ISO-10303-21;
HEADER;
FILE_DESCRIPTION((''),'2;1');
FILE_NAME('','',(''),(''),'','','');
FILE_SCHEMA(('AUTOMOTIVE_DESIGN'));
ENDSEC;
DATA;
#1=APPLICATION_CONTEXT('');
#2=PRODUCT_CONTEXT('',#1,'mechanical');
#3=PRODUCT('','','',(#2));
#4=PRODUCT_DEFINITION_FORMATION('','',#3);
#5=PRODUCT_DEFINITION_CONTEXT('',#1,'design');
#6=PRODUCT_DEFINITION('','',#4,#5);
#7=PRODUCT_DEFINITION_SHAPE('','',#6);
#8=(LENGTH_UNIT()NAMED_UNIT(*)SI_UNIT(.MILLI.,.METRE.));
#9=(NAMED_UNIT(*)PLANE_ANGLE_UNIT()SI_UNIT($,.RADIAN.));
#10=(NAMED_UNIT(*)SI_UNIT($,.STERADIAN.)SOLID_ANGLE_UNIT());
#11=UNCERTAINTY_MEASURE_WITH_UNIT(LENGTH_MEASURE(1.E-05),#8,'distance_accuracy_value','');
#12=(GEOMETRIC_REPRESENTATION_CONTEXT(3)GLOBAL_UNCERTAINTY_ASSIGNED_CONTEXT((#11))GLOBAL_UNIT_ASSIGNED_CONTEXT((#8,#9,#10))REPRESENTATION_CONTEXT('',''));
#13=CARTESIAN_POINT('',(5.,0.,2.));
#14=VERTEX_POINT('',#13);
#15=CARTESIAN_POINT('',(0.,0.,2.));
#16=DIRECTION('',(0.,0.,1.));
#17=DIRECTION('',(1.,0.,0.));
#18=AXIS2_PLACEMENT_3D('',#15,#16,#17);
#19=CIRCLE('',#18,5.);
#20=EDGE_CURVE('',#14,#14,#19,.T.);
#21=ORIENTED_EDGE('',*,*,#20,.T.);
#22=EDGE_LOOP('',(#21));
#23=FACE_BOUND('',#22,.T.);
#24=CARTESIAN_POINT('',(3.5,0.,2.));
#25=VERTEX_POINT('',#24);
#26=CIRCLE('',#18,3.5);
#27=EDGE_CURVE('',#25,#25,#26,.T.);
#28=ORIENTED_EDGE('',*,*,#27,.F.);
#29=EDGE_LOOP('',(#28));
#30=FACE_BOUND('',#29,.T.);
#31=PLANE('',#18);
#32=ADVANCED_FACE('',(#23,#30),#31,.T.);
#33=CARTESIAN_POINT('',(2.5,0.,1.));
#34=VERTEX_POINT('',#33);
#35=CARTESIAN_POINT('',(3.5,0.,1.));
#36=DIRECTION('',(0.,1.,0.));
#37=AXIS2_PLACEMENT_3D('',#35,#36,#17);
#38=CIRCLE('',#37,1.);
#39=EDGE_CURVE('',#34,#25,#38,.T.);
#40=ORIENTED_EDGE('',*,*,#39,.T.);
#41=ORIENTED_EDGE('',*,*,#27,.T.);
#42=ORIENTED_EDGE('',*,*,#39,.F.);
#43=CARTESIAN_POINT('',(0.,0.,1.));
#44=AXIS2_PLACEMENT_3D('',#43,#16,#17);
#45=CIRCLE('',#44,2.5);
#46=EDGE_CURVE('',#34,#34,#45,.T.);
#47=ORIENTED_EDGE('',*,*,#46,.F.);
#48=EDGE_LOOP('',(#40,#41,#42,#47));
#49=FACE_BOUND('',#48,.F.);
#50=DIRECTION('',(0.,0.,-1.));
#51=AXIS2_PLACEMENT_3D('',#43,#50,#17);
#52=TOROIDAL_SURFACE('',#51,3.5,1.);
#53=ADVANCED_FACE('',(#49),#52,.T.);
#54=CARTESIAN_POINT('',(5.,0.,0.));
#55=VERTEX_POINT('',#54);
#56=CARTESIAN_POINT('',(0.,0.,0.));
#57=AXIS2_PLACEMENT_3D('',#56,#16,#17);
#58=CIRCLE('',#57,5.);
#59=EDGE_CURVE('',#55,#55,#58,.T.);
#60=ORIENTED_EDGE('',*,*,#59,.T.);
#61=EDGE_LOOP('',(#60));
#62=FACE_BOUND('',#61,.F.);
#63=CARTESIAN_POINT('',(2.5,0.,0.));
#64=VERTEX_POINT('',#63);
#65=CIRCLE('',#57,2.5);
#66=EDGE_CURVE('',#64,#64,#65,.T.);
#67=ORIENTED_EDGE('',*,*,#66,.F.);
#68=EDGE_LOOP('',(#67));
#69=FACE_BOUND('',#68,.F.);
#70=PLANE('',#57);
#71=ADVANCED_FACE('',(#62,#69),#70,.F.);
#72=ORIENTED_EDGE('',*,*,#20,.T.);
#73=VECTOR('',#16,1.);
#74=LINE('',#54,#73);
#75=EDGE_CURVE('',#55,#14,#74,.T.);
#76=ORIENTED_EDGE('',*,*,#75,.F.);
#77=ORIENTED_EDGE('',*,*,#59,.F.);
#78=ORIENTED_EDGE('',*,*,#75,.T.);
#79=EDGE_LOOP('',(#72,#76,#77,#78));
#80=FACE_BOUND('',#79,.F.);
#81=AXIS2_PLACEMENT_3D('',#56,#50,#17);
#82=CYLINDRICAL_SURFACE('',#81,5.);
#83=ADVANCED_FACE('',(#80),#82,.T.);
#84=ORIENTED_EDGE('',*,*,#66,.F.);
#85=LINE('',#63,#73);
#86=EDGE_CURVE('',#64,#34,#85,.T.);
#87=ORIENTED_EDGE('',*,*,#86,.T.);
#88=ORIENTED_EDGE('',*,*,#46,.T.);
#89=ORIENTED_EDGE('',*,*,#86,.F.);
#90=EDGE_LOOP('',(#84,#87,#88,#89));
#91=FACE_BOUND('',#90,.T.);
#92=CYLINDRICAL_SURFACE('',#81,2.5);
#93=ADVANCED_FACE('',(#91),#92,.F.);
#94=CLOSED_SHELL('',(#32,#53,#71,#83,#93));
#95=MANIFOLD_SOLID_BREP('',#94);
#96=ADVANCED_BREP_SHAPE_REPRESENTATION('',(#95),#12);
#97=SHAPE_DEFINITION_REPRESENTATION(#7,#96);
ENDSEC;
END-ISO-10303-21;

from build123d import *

# Parameters (mm, degrees)
SKETCH_R   = 5
SKETCH_R_2 = 2.5
PAD_DEPTH  = 2
FILLET_R   = 1


with BuildPart() as part:
    # Sketch → Pad (new body)
    with BuildSketch(Plane.XY):
        Circle(SKETCH_R)
        Circle(SKETCH_R_2, mode=Mode.SUBTRACT)
    extrude(amount=PAD_DEPTH)

    # Fillet
    fillet_edges = [part.edges().sort_by_distance(p)[0] for p in [
        (-2.5, 0, 2),
    ]]
    fillet(fillet_edges, radius=FILLET_R)


solid = part.part
